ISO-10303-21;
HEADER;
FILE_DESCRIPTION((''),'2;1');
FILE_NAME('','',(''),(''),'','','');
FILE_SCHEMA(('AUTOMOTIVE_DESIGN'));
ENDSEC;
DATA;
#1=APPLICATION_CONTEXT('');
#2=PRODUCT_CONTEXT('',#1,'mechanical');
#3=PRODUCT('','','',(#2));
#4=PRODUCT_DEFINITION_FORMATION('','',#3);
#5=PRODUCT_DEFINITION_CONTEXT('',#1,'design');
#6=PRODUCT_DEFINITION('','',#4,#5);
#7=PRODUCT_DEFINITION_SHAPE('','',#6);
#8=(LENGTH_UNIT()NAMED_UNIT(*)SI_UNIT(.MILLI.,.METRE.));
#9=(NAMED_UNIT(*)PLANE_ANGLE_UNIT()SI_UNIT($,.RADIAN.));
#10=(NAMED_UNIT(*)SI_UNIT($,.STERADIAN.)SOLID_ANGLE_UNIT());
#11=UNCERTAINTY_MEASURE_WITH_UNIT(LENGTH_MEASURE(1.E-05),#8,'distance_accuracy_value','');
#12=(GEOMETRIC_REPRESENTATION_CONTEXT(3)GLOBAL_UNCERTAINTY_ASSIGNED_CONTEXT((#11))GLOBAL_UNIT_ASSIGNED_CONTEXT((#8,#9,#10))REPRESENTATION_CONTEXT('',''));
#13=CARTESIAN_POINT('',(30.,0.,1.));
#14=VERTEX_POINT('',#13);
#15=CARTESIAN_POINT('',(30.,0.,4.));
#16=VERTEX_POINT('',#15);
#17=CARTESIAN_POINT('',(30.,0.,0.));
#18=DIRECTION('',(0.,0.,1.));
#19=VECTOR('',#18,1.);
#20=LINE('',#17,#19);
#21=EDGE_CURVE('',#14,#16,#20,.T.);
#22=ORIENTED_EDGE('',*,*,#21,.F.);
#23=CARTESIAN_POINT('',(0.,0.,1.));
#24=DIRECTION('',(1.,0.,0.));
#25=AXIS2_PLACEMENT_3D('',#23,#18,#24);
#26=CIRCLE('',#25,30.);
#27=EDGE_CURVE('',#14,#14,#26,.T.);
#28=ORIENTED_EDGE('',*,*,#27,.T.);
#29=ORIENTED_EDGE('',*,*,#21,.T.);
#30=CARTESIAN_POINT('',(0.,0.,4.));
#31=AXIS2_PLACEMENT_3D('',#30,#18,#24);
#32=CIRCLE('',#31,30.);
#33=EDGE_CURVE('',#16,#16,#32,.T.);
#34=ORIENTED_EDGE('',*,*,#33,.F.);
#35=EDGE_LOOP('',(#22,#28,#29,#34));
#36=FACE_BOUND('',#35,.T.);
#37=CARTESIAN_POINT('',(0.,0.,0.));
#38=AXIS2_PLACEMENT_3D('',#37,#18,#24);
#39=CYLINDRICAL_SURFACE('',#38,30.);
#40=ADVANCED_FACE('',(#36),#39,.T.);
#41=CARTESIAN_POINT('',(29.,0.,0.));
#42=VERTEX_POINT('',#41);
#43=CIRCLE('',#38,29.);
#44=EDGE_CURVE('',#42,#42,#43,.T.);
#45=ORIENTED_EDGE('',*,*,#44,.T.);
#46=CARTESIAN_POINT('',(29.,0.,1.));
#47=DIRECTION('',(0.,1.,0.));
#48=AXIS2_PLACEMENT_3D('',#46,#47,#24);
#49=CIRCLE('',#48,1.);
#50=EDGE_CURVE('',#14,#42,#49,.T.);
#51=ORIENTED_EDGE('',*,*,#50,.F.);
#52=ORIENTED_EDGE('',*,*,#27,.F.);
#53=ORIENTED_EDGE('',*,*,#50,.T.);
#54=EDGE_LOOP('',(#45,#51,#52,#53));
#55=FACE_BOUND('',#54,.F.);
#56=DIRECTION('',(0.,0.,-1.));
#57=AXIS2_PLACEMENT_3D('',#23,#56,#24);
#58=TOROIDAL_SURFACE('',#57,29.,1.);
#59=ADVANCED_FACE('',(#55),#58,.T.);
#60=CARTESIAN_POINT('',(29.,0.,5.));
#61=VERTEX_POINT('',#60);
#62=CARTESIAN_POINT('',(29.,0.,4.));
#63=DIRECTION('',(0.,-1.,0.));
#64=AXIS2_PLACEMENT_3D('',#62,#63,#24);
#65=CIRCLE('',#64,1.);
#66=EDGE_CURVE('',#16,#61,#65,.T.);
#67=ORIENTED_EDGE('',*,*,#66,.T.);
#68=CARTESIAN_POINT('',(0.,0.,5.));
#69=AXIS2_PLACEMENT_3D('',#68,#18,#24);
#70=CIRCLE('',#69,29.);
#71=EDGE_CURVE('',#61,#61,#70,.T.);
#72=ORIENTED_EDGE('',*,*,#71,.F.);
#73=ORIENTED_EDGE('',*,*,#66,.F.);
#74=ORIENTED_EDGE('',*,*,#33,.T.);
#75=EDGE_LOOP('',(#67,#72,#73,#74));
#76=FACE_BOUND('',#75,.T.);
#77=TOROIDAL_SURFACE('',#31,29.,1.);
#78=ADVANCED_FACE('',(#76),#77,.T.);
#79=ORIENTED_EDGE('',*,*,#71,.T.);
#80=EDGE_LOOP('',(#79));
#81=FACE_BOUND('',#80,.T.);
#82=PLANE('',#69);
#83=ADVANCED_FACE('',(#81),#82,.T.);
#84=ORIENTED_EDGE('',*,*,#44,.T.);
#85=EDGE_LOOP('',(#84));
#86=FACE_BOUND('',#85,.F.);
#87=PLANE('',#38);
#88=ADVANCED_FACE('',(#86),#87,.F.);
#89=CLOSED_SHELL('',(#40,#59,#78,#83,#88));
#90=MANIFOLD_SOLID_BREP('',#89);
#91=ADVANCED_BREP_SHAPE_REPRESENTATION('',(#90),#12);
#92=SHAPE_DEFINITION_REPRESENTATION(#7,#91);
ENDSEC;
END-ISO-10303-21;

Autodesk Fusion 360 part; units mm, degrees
cylinder "CylinderPrimitive1" add diameter 60 height 5 placed x (1, 0, 0) y (0, 1, 0) z (0, 0, 1) at (0, 0, 0)
fillet "Fillet1" radius 1 2 edges at (-27.9698, -10.8485, 5) (-27.9698, 10.8485, 0)
